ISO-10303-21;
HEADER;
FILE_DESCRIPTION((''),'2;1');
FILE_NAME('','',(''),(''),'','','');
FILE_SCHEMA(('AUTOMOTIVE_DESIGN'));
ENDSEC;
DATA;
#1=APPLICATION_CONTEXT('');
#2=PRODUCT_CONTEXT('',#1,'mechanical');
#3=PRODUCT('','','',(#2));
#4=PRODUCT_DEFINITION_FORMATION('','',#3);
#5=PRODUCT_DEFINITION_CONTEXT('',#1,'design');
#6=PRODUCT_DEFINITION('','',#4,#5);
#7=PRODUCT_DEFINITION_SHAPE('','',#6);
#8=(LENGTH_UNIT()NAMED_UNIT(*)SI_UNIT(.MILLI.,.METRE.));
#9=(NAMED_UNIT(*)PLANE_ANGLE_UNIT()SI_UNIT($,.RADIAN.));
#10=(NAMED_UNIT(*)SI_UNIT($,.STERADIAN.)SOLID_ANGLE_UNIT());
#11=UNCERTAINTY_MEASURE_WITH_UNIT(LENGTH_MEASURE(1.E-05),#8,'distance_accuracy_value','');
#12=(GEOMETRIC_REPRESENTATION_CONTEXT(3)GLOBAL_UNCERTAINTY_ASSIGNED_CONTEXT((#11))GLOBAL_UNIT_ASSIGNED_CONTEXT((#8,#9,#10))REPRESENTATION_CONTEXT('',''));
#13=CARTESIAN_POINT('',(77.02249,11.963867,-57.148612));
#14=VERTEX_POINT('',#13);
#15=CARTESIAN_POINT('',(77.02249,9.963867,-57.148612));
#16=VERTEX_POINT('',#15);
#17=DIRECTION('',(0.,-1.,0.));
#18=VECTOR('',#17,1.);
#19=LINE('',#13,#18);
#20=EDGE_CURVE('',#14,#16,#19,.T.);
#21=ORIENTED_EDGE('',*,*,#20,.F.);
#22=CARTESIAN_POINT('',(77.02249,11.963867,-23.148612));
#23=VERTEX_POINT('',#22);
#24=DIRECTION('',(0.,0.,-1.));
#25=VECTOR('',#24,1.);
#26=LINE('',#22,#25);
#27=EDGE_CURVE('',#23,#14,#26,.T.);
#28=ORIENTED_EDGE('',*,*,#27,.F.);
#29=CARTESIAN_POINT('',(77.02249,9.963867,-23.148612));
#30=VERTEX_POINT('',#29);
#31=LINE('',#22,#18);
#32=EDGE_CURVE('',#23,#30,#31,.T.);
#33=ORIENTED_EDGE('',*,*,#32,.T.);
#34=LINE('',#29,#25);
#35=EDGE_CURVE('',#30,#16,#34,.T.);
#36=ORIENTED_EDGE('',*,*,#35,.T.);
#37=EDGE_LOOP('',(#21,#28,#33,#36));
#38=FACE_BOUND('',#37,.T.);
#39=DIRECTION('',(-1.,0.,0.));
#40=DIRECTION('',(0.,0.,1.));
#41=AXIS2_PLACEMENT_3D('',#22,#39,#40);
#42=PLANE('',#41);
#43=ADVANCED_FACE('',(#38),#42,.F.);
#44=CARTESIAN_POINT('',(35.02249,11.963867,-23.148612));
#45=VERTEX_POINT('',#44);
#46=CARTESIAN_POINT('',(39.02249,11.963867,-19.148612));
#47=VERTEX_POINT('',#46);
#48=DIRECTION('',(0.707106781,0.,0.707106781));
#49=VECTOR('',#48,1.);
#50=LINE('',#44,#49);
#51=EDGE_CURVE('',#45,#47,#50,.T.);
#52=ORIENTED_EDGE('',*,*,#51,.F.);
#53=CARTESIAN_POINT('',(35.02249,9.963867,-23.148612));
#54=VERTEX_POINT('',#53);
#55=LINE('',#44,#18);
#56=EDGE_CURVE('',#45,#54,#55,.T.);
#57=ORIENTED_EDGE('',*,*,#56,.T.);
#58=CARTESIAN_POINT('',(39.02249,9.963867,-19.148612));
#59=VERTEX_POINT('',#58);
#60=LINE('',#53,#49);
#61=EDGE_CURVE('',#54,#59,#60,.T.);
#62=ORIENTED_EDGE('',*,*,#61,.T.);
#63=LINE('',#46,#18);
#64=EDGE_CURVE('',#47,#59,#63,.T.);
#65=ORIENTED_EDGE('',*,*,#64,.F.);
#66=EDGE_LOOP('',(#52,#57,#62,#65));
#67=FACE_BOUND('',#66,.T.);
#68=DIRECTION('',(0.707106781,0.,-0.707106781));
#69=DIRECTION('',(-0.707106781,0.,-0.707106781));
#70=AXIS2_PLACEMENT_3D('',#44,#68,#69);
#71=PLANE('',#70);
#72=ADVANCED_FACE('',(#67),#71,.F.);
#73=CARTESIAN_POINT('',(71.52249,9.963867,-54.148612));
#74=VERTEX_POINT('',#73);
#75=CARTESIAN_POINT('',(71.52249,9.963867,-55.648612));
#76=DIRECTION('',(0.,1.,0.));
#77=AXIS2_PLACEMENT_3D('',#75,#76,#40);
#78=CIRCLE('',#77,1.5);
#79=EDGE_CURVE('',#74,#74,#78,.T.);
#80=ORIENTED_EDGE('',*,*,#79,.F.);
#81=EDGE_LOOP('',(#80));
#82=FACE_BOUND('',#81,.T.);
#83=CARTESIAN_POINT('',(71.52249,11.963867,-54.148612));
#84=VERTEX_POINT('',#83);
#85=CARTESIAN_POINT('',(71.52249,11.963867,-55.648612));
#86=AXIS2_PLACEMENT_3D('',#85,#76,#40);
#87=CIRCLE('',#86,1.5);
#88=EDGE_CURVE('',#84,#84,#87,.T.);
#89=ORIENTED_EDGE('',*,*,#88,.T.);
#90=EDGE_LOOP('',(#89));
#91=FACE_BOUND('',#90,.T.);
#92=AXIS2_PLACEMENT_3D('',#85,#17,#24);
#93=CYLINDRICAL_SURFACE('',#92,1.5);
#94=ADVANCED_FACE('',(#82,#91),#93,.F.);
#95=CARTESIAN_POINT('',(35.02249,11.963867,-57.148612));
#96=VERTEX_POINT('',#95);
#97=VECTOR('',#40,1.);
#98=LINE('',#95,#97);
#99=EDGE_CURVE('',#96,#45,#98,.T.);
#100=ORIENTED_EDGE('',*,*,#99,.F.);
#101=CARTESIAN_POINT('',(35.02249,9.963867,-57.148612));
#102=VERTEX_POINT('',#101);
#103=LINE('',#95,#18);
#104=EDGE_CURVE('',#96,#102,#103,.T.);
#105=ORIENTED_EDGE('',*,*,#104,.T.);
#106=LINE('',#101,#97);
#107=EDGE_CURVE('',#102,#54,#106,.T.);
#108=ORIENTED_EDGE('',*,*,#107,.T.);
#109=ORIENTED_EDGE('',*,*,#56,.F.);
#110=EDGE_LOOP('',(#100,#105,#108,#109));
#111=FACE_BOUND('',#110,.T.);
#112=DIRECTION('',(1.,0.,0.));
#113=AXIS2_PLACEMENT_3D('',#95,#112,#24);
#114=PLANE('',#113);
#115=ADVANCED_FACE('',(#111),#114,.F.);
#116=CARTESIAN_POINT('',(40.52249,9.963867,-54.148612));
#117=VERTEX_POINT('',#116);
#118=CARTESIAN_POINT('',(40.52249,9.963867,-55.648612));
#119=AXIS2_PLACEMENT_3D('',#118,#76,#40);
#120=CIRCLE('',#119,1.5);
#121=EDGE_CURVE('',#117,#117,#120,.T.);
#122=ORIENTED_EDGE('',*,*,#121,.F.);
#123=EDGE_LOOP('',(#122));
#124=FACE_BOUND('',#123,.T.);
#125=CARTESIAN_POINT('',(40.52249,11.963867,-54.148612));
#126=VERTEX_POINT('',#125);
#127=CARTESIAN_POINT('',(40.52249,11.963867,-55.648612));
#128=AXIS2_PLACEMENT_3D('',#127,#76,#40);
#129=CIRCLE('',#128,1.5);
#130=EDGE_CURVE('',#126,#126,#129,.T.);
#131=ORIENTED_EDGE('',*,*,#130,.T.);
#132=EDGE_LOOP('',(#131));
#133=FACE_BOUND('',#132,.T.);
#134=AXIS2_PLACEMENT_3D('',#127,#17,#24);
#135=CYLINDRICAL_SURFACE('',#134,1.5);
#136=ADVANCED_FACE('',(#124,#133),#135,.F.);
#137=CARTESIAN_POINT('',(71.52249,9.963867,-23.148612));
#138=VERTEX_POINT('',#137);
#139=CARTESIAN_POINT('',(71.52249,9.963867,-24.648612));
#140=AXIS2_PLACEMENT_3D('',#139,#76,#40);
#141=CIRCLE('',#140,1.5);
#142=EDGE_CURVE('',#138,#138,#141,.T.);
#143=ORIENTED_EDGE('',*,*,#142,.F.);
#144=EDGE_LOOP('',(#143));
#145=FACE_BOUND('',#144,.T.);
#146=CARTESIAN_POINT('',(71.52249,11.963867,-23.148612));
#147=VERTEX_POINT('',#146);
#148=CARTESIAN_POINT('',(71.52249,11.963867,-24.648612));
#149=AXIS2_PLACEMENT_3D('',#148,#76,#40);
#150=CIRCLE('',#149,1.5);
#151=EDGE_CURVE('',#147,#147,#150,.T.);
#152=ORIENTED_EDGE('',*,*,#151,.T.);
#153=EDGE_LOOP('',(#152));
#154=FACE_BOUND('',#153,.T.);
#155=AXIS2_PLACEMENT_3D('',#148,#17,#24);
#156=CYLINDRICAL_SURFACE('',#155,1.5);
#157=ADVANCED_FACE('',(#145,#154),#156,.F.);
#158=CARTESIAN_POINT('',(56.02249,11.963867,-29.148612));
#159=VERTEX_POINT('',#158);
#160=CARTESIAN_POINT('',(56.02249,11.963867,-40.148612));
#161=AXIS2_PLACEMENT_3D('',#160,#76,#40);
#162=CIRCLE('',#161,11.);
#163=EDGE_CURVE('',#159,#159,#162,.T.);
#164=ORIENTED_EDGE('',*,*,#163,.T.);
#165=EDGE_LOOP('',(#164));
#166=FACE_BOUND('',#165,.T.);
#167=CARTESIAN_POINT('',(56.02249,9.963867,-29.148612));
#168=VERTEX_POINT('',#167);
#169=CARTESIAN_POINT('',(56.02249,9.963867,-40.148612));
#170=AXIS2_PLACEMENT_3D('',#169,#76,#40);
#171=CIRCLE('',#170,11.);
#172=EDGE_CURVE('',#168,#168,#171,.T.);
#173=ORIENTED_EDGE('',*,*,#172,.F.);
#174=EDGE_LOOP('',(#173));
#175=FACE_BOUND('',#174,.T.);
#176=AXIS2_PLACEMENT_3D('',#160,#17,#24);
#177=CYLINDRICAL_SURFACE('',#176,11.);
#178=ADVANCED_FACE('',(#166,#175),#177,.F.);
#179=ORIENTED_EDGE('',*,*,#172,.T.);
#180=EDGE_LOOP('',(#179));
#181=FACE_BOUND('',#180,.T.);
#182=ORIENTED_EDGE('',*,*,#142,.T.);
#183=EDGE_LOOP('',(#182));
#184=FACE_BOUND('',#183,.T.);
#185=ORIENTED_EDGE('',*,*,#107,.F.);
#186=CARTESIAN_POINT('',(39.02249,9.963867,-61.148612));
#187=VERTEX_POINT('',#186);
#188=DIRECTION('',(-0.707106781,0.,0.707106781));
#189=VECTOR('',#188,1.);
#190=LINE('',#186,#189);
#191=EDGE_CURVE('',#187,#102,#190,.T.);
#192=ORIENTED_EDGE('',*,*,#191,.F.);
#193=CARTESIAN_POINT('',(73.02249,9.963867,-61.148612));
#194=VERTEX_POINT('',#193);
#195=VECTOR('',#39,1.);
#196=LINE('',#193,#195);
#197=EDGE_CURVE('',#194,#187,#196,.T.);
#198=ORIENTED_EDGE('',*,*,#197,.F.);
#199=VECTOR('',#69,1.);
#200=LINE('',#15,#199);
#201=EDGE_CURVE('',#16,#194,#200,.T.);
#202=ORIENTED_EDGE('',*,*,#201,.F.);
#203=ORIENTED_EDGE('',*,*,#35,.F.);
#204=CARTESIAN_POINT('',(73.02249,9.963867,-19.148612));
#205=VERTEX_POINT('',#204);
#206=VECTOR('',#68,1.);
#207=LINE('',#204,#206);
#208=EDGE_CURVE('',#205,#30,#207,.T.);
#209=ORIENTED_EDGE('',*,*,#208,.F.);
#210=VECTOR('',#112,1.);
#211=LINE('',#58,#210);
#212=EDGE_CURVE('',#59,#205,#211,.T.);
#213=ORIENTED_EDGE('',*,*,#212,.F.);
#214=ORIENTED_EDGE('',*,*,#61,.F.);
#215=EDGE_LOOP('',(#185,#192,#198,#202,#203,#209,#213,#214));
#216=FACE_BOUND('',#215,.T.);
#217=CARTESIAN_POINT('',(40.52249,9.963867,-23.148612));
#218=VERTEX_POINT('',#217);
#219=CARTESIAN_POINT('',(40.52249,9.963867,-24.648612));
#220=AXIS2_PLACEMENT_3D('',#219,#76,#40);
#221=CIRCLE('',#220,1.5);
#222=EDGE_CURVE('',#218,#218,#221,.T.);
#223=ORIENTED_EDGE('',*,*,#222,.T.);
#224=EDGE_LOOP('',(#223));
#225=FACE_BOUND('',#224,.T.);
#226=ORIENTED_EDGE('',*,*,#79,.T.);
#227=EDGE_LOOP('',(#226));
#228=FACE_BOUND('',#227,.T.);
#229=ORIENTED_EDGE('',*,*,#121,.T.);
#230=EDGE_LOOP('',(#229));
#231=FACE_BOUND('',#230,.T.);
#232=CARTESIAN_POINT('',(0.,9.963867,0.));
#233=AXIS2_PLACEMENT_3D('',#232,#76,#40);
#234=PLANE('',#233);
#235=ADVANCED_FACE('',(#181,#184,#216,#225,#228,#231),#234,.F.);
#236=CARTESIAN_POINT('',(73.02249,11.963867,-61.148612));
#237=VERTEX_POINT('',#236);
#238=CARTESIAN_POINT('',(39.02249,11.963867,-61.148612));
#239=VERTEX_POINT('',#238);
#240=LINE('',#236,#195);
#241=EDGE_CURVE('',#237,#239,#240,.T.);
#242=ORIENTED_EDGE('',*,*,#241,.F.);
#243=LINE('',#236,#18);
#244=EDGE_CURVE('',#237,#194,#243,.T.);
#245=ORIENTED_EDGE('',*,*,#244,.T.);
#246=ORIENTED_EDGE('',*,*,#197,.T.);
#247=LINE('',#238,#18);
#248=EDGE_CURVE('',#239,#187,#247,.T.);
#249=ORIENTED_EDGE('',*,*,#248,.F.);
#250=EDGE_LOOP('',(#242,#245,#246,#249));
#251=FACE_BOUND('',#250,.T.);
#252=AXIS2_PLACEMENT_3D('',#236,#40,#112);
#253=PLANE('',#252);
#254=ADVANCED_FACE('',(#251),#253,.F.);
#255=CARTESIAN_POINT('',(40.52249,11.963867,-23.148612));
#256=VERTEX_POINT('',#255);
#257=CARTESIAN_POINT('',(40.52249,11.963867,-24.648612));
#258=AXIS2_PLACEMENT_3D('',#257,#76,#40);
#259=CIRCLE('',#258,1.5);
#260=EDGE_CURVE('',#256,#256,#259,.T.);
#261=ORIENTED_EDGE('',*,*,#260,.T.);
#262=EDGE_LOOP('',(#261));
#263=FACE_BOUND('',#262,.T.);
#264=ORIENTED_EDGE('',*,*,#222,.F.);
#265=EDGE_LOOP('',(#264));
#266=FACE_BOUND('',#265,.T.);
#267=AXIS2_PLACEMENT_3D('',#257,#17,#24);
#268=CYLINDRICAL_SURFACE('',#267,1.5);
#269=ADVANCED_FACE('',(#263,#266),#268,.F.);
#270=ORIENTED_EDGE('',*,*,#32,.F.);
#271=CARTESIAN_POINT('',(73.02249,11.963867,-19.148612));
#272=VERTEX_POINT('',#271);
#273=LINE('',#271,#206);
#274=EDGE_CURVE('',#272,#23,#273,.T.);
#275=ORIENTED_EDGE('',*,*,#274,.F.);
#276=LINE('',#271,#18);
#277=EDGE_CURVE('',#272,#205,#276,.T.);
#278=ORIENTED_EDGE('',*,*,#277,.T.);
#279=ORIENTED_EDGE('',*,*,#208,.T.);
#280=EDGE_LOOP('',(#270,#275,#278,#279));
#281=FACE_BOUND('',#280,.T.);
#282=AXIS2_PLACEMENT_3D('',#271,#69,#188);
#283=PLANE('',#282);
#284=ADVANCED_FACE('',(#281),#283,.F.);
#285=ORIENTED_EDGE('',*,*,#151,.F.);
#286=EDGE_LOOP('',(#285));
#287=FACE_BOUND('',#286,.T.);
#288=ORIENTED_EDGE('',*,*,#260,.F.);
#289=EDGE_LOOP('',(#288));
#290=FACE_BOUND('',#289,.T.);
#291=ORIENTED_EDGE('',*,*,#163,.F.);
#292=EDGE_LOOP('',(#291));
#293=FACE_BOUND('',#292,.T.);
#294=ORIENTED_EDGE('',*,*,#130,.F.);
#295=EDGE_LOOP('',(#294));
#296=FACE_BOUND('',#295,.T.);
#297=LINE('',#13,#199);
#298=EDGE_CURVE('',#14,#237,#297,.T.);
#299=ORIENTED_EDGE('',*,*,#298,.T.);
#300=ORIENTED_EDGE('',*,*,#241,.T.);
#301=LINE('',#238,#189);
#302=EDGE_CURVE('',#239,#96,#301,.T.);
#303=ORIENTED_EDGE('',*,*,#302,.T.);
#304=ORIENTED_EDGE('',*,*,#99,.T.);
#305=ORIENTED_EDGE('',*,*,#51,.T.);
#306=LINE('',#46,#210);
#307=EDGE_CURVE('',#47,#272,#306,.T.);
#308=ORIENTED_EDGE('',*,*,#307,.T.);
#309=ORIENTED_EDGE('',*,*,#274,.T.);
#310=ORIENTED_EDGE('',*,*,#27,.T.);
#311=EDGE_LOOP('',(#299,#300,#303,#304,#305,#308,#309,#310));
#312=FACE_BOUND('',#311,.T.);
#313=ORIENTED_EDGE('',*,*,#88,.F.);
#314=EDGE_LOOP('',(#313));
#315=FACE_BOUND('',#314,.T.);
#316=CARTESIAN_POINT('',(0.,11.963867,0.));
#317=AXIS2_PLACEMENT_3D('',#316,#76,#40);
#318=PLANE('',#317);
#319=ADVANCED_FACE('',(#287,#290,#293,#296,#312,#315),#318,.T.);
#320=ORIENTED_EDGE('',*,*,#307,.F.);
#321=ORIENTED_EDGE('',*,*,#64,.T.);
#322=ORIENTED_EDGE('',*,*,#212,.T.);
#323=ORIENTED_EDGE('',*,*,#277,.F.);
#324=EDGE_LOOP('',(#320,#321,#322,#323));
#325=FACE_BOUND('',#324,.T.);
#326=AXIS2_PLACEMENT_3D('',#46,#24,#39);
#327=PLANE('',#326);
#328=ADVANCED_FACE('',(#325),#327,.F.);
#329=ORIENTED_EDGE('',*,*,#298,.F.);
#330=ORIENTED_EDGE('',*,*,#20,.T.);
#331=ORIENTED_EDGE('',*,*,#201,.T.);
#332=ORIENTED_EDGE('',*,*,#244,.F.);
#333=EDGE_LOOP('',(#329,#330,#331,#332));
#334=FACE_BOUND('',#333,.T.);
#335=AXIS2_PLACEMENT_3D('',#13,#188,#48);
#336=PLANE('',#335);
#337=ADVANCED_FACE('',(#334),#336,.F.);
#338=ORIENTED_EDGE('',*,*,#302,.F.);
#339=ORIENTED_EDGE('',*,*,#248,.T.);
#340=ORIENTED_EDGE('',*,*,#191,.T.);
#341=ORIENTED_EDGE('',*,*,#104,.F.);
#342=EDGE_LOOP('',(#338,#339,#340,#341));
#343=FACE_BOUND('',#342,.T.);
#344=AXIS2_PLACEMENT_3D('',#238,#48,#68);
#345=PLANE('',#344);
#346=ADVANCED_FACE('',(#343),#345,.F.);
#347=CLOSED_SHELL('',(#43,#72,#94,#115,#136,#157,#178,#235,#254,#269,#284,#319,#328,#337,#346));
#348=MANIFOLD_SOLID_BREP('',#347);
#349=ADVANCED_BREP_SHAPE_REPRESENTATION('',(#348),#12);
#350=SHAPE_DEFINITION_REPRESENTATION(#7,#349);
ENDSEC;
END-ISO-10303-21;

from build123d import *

# Parameters (mm, degrees)
SKETCH_1_R      = 11
SKETCH_1_R_2    = 1.5
EXTRUDE_1_DEPTH = 2


with BuildPart() as part:
    # 草图1 → 凸台-拉伸1 (new body)
    with BuildSketch(Plane(origin=(0, 9.963867234, 0), x_dir=(1, 0, 0), z_dir=(0, 1, 0))):
        Polygon((39.022489909, 61.148611754), (35.022489909, 57.148611754), (35.022489909, 23.148611754), (39.022489909, 19.148611754), (73.022489909, 19.148611754), (77.022489909, 23.148611754), (77.022489909, 57.148611754), (73.022489909, 61.148611754), align=None)
        with Locations(Location((56.022489909, 40.148611754, 0), (0, 0, 270))):
            Circle(SKETCH_1_R, mode=Mode.SUBTRACT)
        with Locations(Location((40.522489909, 24.648611754, 0), (0, 0, 270))):
            Circle(SKETCH_1_R_2, mode=Mode.SUBTRACT)
        with Locations(Location((71.522489909, 24.648611754, 0), (0, 0, 270))):
            Circle(SKETCH_1_R_2, mode=Mode.SUBTRACT)
        with Locations(Location((71.522489909, 55.648611754, 0), (0, 0, 270))):
            Circle(SKETCH_1_R_2, mode=Mode.SUBTRACT)
        with Locations(Location((40.522489909, 55.648611754, 0), (0, 0, 270))):
            Circle(SKETCH_1_R_2, mode=Mode.SUBTRACT)
    extrude(amount=EXTRUDE_1_DEPTH)


solid = part.part
